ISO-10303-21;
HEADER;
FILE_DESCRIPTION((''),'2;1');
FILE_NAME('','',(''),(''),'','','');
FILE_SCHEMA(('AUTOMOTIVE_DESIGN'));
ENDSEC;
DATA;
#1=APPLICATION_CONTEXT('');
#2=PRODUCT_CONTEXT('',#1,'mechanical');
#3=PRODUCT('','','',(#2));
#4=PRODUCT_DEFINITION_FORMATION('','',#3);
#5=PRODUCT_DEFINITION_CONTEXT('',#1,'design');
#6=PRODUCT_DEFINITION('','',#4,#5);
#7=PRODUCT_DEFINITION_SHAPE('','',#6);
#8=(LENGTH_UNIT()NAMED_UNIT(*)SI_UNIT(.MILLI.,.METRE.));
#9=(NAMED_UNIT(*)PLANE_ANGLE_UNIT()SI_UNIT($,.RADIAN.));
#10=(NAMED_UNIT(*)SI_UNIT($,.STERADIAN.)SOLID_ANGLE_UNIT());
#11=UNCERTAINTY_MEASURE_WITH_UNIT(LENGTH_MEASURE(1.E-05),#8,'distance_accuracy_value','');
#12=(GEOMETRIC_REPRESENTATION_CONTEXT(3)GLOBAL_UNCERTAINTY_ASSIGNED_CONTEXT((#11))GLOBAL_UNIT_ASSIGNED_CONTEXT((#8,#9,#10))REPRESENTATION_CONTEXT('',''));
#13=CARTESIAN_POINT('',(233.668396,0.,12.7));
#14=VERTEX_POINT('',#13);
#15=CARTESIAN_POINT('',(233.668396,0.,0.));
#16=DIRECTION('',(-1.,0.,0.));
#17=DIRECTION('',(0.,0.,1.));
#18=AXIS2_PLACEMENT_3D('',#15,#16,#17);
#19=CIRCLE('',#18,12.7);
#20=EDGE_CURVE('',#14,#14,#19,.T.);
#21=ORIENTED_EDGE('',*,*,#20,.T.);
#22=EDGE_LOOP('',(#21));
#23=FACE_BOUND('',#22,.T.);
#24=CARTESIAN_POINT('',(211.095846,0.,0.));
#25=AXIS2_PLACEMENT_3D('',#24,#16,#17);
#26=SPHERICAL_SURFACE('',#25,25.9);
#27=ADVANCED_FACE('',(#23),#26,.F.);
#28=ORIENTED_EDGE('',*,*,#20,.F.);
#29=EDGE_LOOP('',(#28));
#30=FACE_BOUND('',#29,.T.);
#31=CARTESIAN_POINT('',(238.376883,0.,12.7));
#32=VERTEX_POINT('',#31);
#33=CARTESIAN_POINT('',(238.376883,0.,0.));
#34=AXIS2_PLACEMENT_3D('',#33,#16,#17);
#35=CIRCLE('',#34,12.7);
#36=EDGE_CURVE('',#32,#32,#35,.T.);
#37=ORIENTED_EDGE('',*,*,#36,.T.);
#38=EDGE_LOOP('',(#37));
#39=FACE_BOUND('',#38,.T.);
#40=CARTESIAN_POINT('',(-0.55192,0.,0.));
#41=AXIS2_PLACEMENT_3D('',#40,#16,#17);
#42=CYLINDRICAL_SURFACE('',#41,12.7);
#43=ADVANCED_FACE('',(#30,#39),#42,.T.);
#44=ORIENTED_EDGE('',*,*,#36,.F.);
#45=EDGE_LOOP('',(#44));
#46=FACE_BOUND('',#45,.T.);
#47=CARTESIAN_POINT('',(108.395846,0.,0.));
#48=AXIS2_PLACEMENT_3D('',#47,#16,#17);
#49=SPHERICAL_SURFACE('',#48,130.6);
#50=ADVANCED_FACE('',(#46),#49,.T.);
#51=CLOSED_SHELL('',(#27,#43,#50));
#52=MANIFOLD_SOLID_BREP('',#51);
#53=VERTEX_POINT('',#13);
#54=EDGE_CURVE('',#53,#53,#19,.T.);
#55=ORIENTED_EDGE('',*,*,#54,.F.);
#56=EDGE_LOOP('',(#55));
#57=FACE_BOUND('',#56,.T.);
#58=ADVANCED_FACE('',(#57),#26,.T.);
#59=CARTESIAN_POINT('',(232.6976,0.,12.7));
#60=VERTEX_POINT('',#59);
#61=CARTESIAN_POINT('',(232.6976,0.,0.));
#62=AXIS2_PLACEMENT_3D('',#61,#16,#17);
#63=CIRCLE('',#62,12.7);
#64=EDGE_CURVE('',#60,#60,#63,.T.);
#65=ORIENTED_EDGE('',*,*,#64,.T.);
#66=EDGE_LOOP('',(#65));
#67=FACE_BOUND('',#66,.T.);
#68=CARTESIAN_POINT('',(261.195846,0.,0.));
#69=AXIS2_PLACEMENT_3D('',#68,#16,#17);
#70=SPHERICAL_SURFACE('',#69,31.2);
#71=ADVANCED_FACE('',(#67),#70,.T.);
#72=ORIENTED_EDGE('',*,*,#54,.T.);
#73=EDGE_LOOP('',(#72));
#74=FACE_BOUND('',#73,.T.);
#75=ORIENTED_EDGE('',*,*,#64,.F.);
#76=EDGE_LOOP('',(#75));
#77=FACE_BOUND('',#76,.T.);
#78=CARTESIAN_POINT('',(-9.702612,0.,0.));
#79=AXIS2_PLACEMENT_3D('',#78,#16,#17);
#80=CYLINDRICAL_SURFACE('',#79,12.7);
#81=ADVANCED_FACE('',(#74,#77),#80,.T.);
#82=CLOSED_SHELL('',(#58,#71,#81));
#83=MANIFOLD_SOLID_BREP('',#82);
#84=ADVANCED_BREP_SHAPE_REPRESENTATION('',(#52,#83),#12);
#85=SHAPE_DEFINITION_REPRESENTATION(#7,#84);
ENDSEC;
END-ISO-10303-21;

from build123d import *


with BuildPart() as part:
    # 草图1 one side → 旋转1 (revolve)
    with BuildSketch(Plane(origin=(0, 0, 0), x_dir=(1, 0, 0), z_dir=(0, 1, 0)), mode=Mode.PRIVATE) as revolve_1_sk:
        with BuildLine():
            ThreePointArc((232.697600248, 12.7), (230.678758288, 6.492100528), (229.995845808, 0))
            Line((229.995845808, 0), (236.995845808, 0))
            ThreePointArc((236.995845808, 0), (236.150177143, 6.564334039), (233.668395509, 12.7))
            Line((233.668395509, 12.7), (232.697600248, 12.7))
        make_face()
    revolve(revolve_1_sk.sketch.rotate(Axis((-9.702612178, 0, 0), (1, 0, 0)), 180), axis=Axis((-9.702612178, 0, 0), (1, 0, 0)))  # turned: the seam where the file's is


with BuildPart() as body_2:
    # 草图2 one side → 旋转3 (revolve)
    with BuildSketch(Plane(origin=(0, 0, 0), x_dir=(1, 0, 0), z_dir=(0, 1, 0)), mode=Mode.PRIVATE) as revolve_3_sk:
        with BuildLine():
            Line((238.376882887, 12.7), (233.668395509, 12.7))
            ThreePointArc((233.668395509, 12.7), (236.150177143, 6.564334039), (236.995845808, 0))
            Line((236.995845808, 0), (238.995845808, 0))
            ThreePointArc((238.995845808, 0), (238.841013297, 6.357537163), (238.376882887, 12.7))
        make_face()
    revolve(revolve_3_sk.sketch.rotate(Axis((-0.551919993, 0, 0), (1, 0, 0)), 180), axis=Axis((-0.551919993, 0, 0), (1, 0, 0)))  # turned: the seam where the file's is


solid = Compound([part.part, body_2.part])
